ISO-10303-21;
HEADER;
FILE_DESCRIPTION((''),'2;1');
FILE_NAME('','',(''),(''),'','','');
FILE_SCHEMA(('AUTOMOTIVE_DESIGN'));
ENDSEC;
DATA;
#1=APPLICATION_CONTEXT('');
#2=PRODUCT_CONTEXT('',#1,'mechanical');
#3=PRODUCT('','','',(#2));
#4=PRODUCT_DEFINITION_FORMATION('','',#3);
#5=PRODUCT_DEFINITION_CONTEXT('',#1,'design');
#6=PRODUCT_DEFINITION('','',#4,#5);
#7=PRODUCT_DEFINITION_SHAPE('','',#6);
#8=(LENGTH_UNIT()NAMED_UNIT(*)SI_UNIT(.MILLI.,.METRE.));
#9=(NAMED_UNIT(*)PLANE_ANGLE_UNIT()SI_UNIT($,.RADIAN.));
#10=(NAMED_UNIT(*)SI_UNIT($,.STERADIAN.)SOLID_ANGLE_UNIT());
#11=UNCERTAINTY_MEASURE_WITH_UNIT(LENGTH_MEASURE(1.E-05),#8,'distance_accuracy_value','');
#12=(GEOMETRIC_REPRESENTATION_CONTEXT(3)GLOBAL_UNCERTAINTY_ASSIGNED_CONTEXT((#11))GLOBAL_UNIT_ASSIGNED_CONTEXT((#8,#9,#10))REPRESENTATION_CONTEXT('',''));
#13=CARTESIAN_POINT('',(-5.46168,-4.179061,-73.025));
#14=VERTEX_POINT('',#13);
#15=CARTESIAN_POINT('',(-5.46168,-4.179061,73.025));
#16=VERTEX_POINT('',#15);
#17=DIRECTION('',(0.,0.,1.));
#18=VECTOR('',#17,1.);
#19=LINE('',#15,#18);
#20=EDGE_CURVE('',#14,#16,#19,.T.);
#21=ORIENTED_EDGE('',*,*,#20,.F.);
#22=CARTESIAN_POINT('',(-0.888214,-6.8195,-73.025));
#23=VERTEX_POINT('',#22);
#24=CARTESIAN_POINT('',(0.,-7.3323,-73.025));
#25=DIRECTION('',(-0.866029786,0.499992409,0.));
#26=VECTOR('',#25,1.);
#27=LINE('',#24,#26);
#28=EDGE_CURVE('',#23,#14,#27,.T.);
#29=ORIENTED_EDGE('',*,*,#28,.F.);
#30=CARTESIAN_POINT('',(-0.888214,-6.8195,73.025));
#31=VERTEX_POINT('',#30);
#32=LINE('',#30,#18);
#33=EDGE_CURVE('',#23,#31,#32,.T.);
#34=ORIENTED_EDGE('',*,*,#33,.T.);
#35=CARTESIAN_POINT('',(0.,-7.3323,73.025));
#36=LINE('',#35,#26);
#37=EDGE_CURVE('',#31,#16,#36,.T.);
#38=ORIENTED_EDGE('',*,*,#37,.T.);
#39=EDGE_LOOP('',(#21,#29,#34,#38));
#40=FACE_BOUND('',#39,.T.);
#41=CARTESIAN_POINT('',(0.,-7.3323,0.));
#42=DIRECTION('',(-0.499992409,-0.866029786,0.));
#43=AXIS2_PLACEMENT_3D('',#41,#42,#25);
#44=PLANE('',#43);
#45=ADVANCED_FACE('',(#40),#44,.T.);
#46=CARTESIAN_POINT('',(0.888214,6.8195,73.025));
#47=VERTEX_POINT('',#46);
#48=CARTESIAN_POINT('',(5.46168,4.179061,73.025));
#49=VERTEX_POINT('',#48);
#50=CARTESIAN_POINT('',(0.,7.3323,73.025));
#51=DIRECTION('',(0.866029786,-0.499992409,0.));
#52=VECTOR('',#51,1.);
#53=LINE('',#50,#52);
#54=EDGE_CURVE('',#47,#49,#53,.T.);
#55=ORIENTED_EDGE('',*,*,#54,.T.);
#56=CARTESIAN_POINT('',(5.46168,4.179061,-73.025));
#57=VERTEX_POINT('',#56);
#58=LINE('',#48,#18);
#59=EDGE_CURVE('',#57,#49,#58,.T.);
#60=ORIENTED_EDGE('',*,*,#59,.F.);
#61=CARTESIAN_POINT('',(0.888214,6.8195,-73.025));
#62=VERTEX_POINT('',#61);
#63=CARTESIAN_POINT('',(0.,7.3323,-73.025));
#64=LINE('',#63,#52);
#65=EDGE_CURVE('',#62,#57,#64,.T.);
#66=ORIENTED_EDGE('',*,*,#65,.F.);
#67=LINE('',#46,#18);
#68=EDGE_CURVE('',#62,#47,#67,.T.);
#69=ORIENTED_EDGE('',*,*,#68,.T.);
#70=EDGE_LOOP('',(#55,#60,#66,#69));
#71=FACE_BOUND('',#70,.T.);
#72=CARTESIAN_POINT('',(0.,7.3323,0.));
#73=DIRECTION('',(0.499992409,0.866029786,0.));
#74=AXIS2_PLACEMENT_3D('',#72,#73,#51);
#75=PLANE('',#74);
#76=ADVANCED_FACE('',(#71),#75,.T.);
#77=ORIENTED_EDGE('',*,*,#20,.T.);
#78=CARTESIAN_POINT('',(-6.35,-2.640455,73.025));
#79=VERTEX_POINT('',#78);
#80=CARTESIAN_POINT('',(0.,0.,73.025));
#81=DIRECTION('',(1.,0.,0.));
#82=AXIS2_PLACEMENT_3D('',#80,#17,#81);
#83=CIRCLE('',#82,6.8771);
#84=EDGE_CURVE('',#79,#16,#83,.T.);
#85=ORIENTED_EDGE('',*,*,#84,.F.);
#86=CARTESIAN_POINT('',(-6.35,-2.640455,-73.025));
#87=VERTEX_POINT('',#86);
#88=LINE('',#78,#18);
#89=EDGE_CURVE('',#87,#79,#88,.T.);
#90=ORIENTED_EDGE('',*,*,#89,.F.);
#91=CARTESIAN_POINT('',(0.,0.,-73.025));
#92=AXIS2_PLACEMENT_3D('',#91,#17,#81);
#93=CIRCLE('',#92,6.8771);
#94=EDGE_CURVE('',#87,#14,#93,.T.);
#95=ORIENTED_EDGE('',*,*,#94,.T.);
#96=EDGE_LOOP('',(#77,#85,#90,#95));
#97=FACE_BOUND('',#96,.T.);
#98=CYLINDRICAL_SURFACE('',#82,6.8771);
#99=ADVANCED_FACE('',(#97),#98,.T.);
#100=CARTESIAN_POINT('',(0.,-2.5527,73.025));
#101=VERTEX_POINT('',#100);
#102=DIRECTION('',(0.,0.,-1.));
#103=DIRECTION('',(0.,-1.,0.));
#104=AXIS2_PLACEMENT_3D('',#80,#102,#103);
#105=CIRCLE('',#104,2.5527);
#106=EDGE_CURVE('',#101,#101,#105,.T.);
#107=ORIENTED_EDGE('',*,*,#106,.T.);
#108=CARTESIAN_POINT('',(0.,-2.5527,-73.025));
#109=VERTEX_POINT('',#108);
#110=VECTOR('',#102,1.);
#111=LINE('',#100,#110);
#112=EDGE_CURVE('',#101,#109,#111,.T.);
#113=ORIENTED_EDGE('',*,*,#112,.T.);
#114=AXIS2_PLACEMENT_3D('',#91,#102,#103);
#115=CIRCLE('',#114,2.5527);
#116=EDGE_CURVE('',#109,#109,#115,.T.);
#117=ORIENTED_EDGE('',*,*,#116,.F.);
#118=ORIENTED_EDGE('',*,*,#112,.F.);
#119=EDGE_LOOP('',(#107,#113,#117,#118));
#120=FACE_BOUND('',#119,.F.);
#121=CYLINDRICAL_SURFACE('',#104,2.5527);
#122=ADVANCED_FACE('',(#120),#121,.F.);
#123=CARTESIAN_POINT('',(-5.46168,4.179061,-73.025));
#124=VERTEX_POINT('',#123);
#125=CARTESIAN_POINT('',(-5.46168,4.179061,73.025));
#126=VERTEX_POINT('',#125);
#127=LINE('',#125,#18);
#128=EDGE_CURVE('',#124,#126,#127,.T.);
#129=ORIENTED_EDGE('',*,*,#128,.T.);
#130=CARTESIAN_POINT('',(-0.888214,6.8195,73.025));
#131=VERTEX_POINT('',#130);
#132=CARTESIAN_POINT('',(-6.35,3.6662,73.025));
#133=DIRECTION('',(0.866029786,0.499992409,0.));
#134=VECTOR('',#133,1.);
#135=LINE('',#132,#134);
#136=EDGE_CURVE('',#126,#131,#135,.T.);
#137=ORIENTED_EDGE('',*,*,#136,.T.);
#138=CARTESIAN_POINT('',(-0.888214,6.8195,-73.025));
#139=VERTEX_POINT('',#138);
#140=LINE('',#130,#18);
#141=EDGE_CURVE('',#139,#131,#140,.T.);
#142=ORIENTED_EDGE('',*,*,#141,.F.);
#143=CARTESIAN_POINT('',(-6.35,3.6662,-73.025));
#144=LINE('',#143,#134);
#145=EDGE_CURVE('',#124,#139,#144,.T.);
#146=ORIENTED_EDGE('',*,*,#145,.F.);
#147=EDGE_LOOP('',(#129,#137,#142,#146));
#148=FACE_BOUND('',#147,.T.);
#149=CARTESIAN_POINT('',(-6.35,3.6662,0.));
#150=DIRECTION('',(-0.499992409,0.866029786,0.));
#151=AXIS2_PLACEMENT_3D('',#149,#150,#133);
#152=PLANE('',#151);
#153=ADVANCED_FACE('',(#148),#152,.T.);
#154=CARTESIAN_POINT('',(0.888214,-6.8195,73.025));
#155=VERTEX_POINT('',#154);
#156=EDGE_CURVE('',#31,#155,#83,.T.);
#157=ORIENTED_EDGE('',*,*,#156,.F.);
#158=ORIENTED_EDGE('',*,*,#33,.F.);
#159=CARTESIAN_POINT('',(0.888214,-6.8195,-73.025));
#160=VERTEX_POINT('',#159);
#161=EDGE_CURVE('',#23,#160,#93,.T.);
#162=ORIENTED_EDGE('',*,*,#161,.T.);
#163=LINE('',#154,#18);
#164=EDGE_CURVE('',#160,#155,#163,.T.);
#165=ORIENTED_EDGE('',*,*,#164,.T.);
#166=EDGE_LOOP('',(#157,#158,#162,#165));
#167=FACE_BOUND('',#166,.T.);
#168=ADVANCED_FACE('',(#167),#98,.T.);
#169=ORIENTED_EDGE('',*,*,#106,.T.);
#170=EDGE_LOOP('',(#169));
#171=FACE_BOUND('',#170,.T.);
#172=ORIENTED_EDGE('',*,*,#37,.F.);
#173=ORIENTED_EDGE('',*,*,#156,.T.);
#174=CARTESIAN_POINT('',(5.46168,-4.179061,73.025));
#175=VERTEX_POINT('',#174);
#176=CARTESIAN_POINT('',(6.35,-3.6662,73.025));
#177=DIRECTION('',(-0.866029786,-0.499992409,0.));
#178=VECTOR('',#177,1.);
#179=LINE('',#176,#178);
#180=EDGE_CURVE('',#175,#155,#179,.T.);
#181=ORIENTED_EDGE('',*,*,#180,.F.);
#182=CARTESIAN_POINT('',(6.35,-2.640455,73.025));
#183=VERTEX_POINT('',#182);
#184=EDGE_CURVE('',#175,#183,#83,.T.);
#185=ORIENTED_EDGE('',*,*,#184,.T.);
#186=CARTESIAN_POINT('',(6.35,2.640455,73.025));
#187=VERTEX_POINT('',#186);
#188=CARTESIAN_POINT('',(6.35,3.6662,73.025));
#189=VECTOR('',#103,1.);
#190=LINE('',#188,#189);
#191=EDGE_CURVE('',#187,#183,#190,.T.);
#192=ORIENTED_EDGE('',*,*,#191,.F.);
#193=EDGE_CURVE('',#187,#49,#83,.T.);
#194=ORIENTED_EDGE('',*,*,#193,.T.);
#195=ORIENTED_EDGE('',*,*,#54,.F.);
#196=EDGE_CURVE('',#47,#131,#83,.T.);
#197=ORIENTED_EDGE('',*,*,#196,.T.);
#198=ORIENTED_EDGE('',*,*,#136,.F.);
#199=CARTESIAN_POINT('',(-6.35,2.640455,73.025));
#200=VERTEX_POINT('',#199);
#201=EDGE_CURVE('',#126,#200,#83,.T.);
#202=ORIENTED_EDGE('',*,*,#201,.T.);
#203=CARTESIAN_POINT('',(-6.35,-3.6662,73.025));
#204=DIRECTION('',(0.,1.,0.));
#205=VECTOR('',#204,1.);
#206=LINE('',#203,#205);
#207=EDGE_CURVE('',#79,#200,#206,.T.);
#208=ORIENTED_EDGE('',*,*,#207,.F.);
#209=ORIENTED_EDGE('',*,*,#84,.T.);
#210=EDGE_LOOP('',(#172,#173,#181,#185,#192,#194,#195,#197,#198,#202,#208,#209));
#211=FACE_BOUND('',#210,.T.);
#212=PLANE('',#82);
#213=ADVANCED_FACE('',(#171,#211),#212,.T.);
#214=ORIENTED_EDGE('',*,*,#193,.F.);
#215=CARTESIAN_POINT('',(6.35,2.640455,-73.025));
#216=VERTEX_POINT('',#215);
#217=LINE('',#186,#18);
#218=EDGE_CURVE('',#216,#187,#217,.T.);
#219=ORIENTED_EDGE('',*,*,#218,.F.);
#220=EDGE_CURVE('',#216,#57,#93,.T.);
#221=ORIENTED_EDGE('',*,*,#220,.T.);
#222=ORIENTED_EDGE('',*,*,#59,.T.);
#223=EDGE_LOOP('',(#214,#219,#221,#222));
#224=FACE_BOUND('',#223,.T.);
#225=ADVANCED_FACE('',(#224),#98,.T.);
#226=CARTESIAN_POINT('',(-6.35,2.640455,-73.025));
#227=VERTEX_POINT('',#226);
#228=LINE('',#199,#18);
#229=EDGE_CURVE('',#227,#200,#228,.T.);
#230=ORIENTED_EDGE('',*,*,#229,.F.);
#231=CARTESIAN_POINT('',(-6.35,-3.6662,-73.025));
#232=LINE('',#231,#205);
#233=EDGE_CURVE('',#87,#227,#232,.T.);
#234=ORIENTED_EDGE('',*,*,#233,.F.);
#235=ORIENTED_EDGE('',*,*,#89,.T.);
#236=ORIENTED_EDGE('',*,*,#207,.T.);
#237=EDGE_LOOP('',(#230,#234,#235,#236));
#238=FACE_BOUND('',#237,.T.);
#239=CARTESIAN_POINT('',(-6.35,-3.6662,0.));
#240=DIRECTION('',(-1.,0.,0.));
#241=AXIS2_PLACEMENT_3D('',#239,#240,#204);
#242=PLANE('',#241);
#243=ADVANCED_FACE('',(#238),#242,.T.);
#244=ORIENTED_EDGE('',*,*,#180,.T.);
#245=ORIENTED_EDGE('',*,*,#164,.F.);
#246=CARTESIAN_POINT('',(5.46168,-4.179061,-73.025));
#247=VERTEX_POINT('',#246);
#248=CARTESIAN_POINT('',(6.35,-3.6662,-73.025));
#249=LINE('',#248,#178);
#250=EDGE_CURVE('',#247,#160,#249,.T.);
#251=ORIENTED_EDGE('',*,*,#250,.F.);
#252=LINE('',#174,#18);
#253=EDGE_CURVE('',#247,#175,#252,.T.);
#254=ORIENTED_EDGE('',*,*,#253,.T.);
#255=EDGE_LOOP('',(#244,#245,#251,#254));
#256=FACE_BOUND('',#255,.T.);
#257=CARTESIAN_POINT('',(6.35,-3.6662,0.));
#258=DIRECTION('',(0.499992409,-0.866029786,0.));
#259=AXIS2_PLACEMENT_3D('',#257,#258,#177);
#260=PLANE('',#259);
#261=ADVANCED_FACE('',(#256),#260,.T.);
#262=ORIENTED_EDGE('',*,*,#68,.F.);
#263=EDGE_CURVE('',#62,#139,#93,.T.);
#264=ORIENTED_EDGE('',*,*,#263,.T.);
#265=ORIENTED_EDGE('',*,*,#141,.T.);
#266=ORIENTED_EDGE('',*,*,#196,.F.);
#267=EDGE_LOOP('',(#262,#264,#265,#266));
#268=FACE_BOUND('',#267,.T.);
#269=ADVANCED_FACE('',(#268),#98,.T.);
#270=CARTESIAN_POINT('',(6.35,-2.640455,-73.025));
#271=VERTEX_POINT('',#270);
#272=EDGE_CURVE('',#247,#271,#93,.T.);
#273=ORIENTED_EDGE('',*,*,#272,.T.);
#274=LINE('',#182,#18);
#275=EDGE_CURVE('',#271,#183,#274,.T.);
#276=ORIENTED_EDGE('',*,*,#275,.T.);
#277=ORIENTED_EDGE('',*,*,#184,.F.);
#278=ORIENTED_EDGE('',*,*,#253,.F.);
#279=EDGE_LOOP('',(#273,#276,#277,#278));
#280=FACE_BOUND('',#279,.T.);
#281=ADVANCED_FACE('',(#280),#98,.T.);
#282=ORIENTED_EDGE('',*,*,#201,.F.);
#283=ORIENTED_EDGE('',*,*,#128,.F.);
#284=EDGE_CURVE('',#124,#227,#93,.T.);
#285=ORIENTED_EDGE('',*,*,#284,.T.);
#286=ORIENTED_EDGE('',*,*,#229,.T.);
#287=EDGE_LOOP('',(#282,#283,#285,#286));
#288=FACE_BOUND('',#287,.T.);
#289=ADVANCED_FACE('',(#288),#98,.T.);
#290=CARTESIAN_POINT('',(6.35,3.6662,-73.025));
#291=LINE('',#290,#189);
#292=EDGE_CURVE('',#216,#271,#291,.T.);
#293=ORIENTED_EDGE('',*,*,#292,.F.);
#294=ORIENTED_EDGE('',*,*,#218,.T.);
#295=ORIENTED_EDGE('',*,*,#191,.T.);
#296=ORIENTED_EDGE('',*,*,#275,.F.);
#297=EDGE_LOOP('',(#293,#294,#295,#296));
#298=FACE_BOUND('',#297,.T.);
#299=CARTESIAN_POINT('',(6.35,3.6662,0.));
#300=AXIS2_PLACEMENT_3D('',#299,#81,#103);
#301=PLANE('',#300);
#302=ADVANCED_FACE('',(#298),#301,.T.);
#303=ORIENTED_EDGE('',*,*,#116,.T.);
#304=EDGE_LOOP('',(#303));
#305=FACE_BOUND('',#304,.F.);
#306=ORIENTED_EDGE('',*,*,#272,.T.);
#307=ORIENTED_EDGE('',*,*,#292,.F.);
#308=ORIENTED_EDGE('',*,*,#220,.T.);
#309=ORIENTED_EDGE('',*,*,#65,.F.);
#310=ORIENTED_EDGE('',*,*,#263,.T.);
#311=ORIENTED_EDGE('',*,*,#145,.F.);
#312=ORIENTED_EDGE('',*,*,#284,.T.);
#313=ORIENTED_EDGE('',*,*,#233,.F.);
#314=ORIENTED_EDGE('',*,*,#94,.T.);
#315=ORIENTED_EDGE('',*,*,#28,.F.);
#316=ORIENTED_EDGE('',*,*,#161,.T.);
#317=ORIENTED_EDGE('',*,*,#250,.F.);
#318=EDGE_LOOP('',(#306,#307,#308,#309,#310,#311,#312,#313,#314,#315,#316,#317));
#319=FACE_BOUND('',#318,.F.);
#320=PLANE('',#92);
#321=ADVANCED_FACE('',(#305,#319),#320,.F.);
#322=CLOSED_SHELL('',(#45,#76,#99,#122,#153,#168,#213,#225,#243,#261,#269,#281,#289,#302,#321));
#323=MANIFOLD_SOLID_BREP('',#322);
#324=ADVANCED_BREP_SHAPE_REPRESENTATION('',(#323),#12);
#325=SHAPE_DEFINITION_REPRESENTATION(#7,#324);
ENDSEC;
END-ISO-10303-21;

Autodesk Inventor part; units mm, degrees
ref_plane "YZ Plane" through (0, 0, 0) normal (1, 0, 0) x (0, 1, 0)
ref_plane "XZ Plane" through (0, 0, 0) normal (0, 1, 0) x (-1, 0, 0)
ref_plane "XY Plane" through (0, 0, 0) normal (0, 0, 1) x (1, 0, 0)
sketch "Sketch1" plane through (0, 0, 0) normal (0, 0, 1) x (1, 0, 0)
  line L0 (-6.35, -3.6662) -> (-6.35, 3.6662)
  line L1 (-6.35, 3.6662) -> (0, 7.3323)
  line L2 (0, 7.3323) -> (6.35, 3.6662)
  line L3 (6.35, 3.6662) -> (6.35, -3.6662)
  line L4 (6.35, -3.6662) -> (0, -7.3323)
  line L5 (0, -7.3323) -> (-6.35, -3.6662)
  point P0 (0, 0)
  point P1 (0, 0)
  dimension "Size" = 12.7
extrude "Extrusion1" add sketch "Sketch1" along normal mid plane 146.05
sketch "Sketch3" plane through (0, 0, 73.025) normal (0, 0, 1) x (1, 0, 0)
  line L0 (-6.35, 3.6662) -> (0, 7.3323) construction
  line L1 (0, 7.3323) -> (6.35, 3.6662) construction
  line L2 (6.35, 3.6662) -> (6.35, -3.6662) construction
  line L3 (6.35, -3.6662) -> (0, -7.3323) construction
  line L4 (0, -7.3323) -> (-6.35, -3.6662) construction
  line L5 (-6.35, -3.6662) -> (-6.35, 3.6662) construction
  point P0 (0, 0)
hole "Hole1" at (0, 0, 73.025) direction (0, 0, -1) diameter 5.1054 end through all
sketch "Sketch4" plane through (0, 0, 73.025) normal (0, 0, 1) x (1, 0, 0)
  circle A0 centre (0, 0) radius 2.5527 construction
  line L0 (-6.35, 3.6662) -> (0, 7.3323) construction
  line L1 (0, 7.3323) -> (6.35, 3.6662) construction
  line L2 (6.35, 3.6662) -> (6.35, -3.6662) construction
  line L3 (6.35, -3.6662) -> (0, -7.3323) construction
  line L4 (0, -7.3323) -> (-6.35, -3.6662) construction
  line L5 (-6.35, -3.6662) -> (-6.35, 3.6662) construction
  circle A1 centre (0, 0) radius 6.8771
  circle A2 centre (0, 0) radius 8.89
  dimension "thunder" = 13.7541
  dimension "d16" = 17.78
extrude "Extrusion3" cut sketch "Sketch4" against normal through all
equation "\"bearing\" = 25.4"
properties part number "AR-012" material "Aluminum 6061"
